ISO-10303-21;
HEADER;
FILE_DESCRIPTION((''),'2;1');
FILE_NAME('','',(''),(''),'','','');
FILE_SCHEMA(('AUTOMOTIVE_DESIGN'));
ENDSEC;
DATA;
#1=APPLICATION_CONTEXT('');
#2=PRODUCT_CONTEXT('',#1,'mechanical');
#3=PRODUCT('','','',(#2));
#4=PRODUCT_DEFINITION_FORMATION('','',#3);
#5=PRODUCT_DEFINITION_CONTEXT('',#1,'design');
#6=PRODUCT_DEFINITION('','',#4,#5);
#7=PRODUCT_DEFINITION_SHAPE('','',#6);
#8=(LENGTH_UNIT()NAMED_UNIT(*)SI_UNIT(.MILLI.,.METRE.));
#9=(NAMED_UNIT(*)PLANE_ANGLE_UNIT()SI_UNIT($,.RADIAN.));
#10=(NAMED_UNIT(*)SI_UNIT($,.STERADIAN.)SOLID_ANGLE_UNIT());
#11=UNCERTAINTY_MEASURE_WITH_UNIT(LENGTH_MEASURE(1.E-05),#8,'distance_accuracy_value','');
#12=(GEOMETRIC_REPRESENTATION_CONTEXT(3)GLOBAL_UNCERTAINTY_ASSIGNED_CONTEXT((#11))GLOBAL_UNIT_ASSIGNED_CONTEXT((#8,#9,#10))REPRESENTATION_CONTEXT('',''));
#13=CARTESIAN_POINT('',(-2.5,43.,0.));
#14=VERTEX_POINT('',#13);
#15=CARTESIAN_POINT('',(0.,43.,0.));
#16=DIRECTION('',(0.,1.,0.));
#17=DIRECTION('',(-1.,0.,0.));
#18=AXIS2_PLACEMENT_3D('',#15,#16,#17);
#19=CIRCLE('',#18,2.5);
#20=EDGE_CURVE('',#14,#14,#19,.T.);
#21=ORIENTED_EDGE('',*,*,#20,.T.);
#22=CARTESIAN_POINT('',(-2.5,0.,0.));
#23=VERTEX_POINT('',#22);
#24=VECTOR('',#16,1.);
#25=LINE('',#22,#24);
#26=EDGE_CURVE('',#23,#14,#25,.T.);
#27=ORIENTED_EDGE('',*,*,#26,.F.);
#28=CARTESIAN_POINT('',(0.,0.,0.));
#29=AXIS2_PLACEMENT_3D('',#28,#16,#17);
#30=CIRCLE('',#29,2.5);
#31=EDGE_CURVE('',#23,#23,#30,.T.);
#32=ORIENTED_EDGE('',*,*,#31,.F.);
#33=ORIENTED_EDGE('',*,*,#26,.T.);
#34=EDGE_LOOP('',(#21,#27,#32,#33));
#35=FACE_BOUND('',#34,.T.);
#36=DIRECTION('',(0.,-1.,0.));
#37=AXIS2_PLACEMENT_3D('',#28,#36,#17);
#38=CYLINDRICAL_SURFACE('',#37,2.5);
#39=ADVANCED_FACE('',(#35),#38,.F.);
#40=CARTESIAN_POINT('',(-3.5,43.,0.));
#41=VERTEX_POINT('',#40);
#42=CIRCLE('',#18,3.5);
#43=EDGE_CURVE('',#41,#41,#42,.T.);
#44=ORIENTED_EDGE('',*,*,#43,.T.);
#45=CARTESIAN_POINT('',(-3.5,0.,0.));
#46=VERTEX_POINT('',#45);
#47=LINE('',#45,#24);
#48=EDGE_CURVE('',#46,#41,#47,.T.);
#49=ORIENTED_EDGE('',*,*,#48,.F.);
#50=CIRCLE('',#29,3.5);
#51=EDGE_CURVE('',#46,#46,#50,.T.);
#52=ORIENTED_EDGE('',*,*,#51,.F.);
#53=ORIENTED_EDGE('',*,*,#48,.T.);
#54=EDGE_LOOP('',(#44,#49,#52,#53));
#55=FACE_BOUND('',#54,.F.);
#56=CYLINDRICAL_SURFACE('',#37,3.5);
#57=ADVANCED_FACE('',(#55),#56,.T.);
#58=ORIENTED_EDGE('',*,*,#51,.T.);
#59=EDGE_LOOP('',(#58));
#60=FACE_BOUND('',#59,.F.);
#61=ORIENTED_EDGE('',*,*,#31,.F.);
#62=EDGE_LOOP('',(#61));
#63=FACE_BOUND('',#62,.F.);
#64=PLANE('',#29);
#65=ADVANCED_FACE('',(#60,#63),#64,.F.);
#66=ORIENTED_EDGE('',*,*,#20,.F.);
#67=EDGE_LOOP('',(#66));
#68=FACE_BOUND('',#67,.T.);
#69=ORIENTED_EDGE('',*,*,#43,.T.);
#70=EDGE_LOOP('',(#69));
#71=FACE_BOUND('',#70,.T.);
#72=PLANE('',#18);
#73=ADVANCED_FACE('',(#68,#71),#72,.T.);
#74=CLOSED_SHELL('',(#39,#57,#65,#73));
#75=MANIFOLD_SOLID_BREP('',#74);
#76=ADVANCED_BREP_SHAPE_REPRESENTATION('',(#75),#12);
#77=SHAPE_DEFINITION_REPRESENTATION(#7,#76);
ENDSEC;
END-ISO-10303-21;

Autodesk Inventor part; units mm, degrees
ref_plane "YZ Plane" through (0, 0, 0) normal (1, 0, 0) x (0, 1, 0)
ref_plane "XZ Plane" through (0, 0, 0) normal (0, 1, 0) x (-1, 0, 0)
ref_plane "XY Plane" through (0, 0, 0) normal (0, 0, 1) x (1, 0, 0)
sketch "Sketch1" plane through (0, 0, 0) normal (0, 1, 0) x (-1, 0, 0)
  circle A0 centre (0, 0) radius 2.5
  circle A1 centre (0, 0) radius 3.5
  dimension "d0" = 5
  dimension "d1" = 7
extrude "Extrusion1" add sketch "Sketch1" along normal blind 43
properties part number "Lower_Rod_Spacer"
